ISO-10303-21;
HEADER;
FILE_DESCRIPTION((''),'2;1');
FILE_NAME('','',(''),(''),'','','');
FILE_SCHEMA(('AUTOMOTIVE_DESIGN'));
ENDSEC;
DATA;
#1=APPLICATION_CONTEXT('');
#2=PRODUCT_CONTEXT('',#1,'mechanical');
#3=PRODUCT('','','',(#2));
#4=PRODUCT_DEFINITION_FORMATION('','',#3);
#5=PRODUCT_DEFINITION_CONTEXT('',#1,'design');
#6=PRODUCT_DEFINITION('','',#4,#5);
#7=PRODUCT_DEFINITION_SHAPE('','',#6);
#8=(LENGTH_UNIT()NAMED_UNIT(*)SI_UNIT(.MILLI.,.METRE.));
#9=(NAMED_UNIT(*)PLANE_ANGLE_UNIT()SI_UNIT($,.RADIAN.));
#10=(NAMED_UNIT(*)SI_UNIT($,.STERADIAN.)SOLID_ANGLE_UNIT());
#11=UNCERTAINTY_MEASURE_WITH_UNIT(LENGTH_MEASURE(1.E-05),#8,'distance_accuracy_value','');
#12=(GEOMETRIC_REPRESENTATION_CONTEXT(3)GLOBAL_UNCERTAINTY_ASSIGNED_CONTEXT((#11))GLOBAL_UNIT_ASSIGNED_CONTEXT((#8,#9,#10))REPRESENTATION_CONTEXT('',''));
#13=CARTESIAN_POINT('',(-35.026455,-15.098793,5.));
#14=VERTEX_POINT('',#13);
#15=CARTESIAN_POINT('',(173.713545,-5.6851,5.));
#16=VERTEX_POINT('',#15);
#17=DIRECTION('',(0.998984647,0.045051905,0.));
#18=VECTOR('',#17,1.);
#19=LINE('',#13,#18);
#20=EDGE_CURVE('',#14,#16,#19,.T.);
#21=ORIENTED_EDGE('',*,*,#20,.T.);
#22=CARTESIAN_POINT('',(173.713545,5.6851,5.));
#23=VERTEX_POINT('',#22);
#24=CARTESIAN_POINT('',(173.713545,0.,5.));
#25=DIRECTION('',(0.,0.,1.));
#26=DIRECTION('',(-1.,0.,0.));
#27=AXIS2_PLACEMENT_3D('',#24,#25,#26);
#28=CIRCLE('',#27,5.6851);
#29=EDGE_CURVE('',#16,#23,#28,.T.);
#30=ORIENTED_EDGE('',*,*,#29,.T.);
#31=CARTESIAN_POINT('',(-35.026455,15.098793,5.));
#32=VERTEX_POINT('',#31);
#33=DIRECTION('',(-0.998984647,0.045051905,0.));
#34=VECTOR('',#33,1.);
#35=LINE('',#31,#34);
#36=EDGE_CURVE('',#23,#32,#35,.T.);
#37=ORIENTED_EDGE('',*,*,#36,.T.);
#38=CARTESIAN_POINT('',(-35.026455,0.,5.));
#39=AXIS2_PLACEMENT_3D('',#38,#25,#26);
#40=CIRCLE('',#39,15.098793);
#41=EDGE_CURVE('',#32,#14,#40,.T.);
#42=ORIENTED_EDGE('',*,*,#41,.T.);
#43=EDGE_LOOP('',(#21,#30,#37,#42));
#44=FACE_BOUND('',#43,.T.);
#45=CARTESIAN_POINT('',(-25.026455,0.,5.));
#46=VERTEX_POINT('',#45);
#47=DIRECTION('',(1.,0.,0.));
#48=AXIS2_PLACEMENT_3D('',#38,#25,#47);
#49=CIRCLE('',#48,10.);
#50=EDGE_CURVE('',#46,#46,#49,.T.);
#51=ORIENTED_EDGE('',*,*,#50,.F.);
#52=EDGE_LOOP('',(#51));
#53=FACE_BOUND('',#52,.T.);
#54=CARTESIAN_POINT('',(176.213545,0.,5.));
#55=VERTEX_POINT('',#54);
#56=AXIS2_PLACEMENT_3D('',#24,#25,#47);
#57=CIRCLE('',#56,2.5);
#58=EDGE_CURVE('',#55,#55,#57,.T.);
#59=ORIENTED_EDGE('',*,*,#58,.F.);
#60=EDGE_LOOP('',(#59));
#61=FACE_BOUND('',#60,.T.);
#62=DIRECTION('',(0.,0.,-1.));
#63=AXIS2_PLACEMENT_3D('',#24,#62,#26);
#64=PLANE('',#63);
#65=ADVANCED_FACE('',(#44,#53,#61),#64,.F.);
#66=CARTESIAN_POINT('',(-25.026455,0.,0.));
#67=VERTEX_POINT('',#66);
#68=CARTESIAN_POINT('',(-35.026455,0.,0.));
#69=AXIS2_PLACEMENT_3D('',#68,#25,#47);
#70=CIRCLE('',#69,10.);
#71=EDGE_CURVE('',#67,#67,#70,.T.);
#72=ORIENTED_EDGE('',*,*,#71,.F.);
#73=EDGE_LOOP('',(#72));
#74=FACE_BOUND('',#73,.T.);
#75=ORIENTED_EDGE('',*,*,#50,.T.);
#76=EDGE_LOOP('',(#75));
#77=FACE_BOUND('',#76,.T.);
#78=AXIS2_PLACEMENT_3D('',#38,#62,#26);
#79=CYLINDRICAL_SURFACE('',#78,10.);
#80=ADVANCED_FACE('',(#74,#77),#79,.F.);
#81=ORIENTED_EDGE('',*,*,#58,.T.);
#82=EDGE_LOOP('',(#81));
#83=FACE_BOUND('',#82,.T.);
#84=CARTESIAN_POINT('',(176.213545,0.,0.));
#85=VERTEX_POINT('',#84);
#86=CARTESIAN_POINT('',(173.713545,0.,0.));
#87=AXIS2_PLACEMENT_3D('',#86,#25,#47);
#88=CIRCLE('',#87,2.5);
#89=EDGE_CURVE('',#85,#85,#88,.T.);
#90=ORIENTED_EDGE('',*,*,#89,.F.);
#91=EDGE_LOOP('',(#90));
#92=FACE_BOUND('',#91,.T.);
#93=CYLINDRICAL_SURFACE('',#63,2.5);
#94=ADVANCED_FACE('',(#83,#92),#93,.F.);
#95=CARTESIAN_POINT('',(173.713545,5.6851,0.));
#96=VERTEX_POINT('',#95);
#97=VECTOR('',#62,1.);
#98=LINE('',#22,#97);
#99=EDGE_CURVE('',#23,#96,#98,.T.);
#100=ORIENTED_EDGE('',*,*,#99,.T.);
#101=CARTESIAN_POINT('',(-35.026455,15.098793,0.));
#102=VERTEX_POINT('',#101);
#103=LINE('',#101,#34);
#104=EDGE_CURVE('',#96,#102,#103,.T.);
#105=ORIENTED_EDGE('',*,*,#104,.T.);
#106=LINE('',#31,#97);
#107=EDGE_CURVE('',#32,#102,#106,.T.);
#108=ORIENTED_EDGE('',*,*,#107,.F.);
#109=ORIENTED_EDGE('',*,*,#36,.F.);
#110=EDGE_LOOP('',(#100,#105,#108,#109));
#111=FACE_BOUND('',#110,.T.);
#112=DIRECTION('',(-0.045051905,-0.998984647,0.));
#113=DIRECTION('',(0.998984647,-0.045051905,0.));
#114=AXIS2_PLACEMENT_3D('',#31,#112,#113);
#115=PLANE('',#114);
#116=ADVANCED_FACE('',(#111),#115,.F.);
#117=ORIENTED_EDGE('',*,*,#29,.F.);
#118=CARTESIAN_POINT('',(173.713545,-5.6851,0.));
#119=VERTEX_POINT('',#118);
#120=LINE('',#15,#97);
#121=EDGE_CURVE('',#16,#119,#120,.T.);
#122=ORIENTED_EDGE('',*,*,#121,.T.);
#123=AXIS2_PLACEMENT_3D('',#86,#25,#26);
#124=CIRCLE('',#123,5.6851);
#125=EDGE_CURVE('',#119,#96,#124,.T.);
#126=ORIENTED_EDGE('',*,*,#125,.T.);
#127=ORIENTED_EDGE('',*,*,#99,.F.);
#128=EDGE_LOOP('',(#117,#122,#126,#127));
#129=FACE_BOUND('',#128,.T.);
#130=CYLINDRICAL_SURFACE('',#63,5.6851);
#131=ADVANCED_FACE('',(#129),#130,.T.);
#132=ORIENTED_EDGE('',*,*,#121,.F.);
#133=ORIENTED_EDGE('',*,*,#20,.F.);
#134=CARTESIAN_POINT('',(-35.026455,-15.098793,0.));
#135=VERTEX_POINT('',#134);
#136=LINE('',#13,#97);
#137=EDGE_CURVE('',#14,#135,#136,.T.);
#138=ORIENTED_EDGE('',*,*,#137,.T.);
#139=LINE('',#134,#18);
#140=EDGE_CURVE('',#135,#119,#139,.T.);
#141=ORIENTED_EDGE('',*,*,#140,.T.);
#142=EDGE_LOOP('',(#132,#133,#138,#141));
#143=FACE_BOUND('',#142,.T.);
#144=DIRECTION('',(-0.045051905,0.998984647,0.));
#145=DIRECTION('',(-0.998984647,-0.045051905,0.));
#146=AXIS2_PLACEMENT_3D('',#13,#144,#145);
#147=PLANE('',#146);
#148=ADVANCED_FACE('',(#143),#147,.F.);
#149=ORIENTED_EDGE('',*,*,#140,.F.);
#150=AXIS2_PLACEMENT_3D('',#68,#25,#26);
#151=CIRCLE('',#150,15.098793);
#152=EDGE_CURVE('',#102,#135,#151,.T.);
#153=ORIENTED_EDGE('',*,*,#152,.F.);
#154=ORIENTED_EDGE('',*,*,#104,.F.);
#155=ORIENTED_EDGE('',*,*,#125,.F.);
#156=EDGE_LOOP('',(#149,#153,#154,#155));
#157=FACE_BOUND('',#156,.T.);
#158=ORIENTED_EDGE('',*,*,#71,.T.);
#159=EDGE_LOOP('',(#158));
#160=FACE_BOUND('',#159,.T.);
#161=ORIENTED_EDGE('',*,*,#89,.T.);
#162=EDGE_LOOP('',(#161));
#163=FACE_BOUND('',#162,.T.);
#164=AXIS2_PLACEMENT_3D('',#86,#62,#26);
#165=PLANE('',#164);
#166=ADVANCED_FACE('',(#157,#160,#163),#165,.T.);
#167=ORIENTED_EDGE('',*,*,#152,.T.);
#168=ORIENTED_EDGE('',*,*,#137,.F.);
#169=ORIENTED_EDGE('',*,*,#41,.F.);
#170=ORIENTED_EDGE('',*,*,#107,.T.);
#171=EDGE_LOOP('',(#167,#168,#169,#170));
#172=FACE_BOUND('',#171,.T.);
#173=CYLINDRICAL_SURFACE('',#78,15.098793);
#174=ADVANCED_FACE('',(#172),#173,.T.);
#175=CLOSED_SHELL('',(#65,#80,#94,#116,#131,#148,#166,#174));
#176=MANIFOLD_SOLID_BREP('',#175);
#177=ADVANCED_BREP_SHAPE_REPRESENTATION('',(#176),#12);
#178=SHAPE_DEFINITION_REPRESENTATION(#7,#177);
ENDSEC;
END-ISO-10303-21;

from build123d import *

# Parameters (mm, degrees)
ESBO_O1_R                = 10
ESBO_O1_R_2              = 2.5
RESSALTO_EXTRUS_O1_DEPTH = 5


with BuildPart() as part:
    # Esboço1 → Ressalto-extrusão1 (new body)
    with BuildSketch(Plane.XY):
        with BuildLine():
            Line((-35.026455026, 15.098793303), (173.713544974, 5.685100403))
            ThreePointArc((173.713544974, 5.685100403), (179.398645377, 0), (173.713544974, -5.685100403))
            Line((173.713544974, -5.685100403), (-35.026455026, -15.098793303))
            ThreePointArc((-35.026455026, -15.098793303), (-50.12524833, 0), (-35.026455026, 15.098793303))
        make_face()
        with Locations((-35.026455026, 0)):
            Circle(ESBO_O1_R, mode=Mode.SUBTRACT)
        with Locations((173.713544974, 0)):
            Circle(ESBO_O1_R_2, mode=Mode.SUBTRACT)
    extrude(amount=RESSALTO_EXTRUS_O1_DEPTH)


solid = part.part
